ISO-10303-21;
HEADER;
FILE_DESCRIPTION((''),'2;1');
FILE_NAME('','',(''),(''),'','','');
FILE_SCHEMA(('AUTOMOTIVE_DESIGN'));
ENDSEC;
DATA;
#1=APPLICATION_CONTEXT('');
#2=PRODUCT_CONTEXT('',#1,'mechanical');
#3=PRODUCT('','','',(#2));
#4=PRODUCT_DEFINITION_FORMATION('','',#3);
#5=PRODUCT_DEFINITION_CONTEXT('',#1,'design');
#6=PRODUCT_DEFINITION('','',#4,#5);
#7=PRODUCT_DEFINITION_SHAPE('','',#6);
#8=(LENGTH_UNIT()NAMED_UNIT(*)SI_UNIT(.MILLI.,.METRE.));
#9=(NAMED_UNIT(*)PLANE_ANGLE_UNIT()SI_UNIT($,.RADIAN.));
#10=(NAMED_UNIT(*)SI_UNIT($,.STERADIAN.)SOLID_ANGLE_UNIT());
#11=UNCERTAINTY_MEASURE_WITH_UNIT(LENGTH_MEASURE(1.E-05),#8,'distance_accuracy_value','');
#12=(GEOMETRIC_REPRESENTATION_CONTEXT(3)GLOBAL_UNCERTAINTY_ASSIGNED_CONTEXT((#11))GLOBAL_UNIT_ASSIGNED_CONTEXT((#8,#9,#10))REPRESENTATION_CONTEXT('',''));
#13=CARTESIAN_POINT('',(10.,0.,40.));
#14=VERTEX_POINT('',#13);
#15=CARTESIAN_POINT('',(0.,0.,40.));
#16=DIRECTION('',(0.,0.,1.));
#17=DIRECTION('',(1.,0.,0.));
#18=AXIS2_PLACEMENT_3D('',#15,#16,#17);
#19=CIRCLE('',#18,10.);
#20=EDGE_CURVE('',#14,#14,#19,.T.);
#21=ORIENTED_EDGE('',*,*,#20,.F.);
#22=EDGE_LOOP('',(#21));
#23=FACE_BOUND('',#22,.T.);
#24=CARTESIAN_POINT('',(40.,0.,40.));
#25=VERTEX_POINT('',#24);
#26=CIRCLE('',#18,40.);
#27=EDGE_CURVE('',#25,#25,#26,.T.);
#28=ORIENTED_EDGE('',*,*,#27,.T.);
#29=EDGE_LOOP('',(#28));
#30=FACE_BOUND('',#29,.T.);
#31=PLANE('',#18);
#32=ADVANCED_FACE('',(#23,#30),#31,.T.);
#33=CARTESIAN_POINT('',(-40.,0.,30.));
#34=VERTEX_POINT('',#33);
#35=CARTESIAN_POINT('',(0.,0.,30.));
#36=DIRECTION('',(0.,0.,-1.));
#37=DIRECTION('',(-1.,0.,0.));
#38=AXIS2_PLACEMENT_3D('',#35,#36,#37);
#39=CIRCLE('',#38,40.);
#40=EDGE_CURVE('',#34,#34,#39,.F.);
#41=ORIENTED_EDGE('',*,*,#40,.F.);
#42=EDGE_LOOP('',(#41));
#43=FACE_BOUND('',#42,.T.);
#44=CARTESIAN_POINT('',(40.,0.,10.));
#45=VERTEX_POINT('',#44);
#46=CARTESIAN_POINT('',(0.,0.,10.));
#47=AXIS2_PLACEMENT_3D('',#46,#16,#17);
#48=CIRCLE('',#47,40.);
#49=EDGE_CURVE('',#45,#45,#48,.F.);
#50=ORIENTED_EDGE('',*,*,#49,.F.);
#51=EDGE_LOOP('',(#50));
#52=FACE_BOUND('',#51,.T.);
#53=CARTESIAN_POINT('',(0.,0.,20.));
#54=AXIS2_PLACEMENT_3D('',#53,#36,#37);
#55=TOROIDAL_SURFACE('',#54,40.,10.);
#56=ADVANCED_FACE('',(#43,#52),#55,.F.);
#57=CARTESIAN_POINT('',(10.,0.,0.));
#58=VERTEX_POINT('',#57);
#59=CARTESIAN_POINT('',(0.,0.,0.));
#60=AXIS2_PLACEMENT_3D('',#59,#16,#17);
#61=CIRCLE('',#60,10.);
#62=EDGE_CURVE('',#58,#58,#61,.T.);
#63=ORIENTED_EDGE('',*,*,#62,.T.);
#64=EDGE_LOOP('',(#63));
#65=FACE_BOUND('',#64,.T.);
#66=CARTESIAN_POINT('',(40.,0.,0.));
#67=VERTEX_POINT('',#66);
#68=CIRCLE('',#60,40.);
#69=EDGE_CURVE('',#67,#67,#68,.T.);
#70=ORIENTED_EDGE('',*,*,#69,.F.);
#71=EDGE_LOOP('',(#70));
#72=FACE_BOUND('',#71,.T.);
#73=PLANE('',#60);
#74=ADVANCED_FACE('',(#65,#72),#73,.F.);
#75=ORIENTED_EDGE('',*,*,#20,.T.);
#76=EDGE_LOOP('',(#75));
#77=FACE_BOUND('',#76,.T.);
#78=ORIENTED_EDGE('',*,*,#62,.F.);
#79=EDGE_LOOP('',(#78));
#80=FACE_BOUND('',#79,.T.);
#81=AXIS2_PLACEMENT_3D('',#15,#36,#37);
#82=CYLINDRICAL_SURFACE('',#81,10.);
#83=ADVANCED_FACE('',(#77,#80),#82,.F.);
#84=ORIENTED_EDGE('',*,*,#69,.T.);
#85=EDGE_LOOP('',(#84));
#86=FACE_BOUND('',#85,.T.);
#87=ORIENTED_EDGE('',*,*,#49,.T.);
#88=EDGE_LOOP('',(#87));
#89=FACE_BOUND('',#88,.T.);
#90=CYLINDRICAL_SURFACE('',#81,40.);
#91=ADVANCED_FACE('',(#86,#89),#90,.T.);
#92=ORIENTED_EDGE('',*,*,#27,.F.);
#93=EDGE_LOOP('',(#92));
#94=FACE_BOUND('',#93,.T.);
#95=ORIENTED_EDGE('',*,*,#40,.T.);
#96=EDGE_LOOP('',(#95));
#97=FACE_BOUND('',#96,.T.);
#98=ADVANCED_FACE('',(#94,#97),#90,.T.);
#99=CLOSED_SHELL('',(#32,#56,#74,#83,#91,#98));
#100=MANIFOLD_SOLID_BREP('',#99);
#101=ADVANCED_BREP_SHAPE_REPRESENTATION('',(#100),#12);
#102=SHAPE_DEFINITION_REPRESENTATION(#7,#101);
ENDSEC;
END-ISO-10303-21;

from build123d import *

# Parameters (mm, degrees)
SKETCH1_R           = 40
SKETCH1_R_2         = 10
BOSS_EXTRUDE1_DEPTH = 40
SKETCH2_R           = 10


with BuildPart() as part:
    # Sketch1 → Boss-Extrude1 (new body)
    with BuildSketch(Plane.XY):
        Circle(SKETCH1_R)
        Circle(SKETCH1_R_2, mode=Mode.SUBTRACT)
    extrude(amount=BOSS_EXTRUDE1_DEPTH)

    # Sketch2 → Cut-Revolve1 (revolve, cut)
    with BuildSketch(Plane(origin=(0, 0, 0), x_dir=(1, 0, 0), z_dir=(0, 1, 0))):
        with Locations((-40, -20)):
            Circle(SKETCH2_R)
    revolve(axis=Axis((0, 0, 0), (0, 0, 1)), mode=Mode.SUBTRACT)


solid = part.part
